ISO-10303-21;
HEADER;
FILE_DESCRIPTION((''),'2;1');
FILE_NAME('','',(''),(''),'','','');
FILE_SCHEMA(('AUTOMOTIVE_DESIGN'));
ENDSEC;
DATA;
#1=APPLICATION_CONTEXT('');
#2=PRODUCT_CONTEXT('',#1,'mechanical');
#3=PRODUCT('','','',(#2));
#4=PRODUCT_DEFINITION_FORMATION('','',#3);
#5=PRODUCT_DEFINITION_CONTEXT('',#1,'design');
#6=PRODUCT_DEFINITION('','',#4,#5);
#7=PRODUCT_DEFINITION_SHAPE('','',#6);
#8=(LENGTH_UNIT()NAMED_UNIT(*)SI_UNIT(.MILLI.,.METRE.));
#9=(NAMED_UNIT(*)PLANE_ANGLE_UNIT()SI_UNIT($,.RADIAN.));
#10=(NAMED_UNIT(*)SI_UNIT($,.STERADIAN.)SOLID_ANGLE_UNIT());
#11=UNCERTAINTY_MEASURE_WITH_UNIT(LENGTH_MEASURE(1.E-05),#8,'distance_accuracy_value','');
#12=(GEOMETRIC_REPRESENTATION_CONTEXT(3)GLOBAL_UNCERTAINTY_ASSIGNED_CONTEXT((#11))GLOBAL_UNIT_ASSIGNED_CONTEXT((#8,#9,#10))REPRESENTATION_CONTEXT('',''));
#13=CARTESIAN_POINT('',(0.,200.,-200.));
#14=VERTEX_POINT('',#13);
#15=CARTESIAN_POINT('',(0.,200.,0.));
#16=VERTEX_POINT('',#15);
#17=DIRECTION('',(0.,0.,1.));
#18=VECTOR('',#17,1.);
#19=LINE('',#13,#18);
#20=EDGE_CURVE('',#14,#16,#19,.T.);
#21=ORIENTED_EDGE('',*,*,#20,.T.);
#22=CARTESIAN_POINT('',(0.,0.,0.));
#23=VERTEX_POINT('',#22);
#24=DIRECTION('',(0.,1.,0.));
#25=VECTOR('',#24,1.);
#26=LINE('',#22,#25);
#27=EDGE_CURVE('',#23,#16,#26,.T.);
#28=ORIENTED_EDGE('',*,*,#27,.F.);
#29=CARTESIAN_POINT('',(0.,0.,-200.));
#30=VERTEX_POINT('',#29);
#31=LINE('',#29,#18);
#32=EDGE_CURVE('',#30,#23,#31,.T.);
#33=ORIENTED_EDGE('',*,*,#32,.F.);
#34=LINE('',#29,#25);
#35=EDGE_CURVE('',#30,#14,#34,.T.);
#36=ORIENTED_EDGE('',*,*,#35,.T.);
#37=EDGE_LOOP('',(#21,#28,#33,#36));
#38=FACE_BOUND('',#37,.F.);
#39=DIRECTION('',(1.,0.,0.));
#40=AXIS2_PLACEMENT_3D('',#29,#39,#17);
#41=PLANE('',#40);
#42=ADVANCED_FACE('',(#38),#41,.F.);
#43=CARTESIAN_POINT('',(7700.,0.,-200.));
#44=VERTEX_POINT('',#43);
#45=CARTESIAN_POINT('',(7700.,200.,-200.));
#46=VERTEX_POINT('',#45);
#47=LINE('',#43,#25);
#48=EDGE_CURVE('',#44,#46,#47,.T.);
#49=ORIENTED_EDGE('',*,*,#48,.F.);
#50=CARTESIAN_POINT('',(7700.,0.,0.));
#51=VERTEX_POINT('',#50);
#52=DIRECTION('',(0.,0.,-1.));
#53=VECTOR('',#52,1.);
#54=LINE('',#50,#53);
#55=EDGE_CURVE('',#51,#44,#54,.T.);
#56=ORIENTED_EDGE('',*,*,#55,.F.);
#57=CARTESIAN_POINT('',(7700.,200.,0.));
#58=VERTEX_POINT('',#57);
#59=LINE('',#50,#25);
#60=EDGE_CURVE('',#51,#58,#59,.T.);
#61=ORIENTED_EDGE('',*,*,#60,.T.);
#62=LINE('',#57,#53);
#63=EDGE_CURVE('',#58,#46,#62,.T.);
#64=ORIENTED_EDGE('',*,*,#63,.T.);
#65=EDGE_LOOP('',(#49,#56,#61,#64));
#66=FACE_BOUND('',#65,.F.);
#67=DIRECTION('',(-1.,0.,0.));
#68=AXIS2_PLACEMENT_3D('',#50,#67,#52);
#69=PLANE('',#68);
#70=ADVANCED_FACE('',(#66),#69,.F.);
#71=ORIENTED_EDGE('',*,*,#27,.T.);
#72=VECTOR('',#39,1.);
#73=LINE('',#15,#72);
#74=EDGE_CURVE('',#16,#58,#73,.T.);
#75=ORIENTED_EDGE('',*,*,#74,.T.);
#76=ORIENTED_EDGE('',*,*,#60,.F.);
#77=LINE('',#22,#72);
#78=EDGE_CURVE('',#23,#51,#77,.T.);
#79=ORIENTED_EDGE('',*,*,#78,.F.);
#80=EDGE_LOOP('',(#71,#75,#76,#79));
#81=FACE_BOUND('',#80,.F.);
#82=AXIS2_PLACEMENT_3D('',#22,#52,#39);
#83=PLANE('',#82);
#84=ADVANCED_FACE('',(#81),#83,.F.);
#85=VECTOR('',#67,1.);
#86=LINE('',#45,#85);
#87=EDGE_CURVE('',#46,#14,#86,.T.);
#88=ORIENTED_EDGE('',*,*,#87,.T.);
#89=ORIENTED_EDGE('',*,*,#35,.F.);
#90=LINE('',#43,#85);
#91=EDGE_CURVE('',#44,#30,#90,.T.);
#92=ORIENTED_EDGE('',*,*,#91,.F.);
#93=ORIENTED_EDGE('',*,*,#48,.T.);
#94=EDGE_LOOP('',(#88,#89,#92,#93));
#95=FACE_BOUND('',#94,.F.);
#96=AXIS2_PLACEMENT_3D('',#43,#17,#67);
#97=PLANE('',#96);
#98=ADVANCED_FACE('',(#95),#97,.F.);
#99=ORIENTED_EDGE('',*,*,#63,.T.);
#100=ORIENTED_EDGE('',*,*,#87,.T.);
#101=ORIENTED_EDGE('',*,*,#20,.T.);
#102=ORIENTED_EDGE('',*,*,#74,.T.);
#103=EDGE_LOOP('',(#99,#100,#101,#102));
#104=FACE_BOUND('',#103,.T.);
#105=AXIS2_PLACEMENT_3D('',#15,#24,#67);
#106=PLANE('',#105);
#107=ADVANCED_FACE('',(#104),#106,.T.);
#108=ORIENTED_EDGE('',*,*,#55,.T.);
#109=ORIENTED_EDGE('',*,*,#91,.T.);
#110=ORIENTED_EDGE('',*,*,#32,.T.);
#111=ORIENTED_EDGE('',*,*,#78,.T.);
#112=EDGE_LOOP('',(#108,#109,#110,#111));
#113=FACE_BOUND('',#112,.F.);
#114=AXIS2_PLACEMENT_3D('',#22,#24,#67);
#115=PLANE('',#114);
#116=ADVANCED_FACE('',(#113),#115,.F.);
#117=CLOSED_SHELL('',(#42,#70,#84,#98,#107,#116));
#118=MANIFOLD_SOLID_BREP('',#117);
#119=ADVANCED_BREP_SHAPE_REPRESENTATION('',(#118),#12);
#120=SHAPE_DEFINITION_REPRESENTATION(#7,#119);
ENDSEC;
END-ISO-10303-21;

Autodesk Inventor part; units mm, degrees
ref_plane "YZ Plane" through (0, 0, 0) normal (1, 0, 0) x (0, 1, 0)
ref_plane "XZ Plane" through (0, 0, 0) normal (0, 1, 0) x (-1, 0, 0)
ref_plane "XY Plane" through (0, 0, 0) normal (0, 0, 1) x (1, 0, 0)
sketch "Sketch1" plane through (0, 0, 0) normal (0, 1, 0) x (-1, 0, 0)
  line L0 (0, 0) -> (-7700, 0)
  line L1 (-7700, 0) -> (-7700, -200)
  line L2 (-7700, -200) -> (0, -200)
  line L3 (0, -200) -> (0, 0)
  dimension "d0" = 7700
  dimension "d1" = 200
extrude "Extrusion1" add sketch "Sketch1" along normal blind 200
properties part number "cantilever long post" material "Stainless Steel"
